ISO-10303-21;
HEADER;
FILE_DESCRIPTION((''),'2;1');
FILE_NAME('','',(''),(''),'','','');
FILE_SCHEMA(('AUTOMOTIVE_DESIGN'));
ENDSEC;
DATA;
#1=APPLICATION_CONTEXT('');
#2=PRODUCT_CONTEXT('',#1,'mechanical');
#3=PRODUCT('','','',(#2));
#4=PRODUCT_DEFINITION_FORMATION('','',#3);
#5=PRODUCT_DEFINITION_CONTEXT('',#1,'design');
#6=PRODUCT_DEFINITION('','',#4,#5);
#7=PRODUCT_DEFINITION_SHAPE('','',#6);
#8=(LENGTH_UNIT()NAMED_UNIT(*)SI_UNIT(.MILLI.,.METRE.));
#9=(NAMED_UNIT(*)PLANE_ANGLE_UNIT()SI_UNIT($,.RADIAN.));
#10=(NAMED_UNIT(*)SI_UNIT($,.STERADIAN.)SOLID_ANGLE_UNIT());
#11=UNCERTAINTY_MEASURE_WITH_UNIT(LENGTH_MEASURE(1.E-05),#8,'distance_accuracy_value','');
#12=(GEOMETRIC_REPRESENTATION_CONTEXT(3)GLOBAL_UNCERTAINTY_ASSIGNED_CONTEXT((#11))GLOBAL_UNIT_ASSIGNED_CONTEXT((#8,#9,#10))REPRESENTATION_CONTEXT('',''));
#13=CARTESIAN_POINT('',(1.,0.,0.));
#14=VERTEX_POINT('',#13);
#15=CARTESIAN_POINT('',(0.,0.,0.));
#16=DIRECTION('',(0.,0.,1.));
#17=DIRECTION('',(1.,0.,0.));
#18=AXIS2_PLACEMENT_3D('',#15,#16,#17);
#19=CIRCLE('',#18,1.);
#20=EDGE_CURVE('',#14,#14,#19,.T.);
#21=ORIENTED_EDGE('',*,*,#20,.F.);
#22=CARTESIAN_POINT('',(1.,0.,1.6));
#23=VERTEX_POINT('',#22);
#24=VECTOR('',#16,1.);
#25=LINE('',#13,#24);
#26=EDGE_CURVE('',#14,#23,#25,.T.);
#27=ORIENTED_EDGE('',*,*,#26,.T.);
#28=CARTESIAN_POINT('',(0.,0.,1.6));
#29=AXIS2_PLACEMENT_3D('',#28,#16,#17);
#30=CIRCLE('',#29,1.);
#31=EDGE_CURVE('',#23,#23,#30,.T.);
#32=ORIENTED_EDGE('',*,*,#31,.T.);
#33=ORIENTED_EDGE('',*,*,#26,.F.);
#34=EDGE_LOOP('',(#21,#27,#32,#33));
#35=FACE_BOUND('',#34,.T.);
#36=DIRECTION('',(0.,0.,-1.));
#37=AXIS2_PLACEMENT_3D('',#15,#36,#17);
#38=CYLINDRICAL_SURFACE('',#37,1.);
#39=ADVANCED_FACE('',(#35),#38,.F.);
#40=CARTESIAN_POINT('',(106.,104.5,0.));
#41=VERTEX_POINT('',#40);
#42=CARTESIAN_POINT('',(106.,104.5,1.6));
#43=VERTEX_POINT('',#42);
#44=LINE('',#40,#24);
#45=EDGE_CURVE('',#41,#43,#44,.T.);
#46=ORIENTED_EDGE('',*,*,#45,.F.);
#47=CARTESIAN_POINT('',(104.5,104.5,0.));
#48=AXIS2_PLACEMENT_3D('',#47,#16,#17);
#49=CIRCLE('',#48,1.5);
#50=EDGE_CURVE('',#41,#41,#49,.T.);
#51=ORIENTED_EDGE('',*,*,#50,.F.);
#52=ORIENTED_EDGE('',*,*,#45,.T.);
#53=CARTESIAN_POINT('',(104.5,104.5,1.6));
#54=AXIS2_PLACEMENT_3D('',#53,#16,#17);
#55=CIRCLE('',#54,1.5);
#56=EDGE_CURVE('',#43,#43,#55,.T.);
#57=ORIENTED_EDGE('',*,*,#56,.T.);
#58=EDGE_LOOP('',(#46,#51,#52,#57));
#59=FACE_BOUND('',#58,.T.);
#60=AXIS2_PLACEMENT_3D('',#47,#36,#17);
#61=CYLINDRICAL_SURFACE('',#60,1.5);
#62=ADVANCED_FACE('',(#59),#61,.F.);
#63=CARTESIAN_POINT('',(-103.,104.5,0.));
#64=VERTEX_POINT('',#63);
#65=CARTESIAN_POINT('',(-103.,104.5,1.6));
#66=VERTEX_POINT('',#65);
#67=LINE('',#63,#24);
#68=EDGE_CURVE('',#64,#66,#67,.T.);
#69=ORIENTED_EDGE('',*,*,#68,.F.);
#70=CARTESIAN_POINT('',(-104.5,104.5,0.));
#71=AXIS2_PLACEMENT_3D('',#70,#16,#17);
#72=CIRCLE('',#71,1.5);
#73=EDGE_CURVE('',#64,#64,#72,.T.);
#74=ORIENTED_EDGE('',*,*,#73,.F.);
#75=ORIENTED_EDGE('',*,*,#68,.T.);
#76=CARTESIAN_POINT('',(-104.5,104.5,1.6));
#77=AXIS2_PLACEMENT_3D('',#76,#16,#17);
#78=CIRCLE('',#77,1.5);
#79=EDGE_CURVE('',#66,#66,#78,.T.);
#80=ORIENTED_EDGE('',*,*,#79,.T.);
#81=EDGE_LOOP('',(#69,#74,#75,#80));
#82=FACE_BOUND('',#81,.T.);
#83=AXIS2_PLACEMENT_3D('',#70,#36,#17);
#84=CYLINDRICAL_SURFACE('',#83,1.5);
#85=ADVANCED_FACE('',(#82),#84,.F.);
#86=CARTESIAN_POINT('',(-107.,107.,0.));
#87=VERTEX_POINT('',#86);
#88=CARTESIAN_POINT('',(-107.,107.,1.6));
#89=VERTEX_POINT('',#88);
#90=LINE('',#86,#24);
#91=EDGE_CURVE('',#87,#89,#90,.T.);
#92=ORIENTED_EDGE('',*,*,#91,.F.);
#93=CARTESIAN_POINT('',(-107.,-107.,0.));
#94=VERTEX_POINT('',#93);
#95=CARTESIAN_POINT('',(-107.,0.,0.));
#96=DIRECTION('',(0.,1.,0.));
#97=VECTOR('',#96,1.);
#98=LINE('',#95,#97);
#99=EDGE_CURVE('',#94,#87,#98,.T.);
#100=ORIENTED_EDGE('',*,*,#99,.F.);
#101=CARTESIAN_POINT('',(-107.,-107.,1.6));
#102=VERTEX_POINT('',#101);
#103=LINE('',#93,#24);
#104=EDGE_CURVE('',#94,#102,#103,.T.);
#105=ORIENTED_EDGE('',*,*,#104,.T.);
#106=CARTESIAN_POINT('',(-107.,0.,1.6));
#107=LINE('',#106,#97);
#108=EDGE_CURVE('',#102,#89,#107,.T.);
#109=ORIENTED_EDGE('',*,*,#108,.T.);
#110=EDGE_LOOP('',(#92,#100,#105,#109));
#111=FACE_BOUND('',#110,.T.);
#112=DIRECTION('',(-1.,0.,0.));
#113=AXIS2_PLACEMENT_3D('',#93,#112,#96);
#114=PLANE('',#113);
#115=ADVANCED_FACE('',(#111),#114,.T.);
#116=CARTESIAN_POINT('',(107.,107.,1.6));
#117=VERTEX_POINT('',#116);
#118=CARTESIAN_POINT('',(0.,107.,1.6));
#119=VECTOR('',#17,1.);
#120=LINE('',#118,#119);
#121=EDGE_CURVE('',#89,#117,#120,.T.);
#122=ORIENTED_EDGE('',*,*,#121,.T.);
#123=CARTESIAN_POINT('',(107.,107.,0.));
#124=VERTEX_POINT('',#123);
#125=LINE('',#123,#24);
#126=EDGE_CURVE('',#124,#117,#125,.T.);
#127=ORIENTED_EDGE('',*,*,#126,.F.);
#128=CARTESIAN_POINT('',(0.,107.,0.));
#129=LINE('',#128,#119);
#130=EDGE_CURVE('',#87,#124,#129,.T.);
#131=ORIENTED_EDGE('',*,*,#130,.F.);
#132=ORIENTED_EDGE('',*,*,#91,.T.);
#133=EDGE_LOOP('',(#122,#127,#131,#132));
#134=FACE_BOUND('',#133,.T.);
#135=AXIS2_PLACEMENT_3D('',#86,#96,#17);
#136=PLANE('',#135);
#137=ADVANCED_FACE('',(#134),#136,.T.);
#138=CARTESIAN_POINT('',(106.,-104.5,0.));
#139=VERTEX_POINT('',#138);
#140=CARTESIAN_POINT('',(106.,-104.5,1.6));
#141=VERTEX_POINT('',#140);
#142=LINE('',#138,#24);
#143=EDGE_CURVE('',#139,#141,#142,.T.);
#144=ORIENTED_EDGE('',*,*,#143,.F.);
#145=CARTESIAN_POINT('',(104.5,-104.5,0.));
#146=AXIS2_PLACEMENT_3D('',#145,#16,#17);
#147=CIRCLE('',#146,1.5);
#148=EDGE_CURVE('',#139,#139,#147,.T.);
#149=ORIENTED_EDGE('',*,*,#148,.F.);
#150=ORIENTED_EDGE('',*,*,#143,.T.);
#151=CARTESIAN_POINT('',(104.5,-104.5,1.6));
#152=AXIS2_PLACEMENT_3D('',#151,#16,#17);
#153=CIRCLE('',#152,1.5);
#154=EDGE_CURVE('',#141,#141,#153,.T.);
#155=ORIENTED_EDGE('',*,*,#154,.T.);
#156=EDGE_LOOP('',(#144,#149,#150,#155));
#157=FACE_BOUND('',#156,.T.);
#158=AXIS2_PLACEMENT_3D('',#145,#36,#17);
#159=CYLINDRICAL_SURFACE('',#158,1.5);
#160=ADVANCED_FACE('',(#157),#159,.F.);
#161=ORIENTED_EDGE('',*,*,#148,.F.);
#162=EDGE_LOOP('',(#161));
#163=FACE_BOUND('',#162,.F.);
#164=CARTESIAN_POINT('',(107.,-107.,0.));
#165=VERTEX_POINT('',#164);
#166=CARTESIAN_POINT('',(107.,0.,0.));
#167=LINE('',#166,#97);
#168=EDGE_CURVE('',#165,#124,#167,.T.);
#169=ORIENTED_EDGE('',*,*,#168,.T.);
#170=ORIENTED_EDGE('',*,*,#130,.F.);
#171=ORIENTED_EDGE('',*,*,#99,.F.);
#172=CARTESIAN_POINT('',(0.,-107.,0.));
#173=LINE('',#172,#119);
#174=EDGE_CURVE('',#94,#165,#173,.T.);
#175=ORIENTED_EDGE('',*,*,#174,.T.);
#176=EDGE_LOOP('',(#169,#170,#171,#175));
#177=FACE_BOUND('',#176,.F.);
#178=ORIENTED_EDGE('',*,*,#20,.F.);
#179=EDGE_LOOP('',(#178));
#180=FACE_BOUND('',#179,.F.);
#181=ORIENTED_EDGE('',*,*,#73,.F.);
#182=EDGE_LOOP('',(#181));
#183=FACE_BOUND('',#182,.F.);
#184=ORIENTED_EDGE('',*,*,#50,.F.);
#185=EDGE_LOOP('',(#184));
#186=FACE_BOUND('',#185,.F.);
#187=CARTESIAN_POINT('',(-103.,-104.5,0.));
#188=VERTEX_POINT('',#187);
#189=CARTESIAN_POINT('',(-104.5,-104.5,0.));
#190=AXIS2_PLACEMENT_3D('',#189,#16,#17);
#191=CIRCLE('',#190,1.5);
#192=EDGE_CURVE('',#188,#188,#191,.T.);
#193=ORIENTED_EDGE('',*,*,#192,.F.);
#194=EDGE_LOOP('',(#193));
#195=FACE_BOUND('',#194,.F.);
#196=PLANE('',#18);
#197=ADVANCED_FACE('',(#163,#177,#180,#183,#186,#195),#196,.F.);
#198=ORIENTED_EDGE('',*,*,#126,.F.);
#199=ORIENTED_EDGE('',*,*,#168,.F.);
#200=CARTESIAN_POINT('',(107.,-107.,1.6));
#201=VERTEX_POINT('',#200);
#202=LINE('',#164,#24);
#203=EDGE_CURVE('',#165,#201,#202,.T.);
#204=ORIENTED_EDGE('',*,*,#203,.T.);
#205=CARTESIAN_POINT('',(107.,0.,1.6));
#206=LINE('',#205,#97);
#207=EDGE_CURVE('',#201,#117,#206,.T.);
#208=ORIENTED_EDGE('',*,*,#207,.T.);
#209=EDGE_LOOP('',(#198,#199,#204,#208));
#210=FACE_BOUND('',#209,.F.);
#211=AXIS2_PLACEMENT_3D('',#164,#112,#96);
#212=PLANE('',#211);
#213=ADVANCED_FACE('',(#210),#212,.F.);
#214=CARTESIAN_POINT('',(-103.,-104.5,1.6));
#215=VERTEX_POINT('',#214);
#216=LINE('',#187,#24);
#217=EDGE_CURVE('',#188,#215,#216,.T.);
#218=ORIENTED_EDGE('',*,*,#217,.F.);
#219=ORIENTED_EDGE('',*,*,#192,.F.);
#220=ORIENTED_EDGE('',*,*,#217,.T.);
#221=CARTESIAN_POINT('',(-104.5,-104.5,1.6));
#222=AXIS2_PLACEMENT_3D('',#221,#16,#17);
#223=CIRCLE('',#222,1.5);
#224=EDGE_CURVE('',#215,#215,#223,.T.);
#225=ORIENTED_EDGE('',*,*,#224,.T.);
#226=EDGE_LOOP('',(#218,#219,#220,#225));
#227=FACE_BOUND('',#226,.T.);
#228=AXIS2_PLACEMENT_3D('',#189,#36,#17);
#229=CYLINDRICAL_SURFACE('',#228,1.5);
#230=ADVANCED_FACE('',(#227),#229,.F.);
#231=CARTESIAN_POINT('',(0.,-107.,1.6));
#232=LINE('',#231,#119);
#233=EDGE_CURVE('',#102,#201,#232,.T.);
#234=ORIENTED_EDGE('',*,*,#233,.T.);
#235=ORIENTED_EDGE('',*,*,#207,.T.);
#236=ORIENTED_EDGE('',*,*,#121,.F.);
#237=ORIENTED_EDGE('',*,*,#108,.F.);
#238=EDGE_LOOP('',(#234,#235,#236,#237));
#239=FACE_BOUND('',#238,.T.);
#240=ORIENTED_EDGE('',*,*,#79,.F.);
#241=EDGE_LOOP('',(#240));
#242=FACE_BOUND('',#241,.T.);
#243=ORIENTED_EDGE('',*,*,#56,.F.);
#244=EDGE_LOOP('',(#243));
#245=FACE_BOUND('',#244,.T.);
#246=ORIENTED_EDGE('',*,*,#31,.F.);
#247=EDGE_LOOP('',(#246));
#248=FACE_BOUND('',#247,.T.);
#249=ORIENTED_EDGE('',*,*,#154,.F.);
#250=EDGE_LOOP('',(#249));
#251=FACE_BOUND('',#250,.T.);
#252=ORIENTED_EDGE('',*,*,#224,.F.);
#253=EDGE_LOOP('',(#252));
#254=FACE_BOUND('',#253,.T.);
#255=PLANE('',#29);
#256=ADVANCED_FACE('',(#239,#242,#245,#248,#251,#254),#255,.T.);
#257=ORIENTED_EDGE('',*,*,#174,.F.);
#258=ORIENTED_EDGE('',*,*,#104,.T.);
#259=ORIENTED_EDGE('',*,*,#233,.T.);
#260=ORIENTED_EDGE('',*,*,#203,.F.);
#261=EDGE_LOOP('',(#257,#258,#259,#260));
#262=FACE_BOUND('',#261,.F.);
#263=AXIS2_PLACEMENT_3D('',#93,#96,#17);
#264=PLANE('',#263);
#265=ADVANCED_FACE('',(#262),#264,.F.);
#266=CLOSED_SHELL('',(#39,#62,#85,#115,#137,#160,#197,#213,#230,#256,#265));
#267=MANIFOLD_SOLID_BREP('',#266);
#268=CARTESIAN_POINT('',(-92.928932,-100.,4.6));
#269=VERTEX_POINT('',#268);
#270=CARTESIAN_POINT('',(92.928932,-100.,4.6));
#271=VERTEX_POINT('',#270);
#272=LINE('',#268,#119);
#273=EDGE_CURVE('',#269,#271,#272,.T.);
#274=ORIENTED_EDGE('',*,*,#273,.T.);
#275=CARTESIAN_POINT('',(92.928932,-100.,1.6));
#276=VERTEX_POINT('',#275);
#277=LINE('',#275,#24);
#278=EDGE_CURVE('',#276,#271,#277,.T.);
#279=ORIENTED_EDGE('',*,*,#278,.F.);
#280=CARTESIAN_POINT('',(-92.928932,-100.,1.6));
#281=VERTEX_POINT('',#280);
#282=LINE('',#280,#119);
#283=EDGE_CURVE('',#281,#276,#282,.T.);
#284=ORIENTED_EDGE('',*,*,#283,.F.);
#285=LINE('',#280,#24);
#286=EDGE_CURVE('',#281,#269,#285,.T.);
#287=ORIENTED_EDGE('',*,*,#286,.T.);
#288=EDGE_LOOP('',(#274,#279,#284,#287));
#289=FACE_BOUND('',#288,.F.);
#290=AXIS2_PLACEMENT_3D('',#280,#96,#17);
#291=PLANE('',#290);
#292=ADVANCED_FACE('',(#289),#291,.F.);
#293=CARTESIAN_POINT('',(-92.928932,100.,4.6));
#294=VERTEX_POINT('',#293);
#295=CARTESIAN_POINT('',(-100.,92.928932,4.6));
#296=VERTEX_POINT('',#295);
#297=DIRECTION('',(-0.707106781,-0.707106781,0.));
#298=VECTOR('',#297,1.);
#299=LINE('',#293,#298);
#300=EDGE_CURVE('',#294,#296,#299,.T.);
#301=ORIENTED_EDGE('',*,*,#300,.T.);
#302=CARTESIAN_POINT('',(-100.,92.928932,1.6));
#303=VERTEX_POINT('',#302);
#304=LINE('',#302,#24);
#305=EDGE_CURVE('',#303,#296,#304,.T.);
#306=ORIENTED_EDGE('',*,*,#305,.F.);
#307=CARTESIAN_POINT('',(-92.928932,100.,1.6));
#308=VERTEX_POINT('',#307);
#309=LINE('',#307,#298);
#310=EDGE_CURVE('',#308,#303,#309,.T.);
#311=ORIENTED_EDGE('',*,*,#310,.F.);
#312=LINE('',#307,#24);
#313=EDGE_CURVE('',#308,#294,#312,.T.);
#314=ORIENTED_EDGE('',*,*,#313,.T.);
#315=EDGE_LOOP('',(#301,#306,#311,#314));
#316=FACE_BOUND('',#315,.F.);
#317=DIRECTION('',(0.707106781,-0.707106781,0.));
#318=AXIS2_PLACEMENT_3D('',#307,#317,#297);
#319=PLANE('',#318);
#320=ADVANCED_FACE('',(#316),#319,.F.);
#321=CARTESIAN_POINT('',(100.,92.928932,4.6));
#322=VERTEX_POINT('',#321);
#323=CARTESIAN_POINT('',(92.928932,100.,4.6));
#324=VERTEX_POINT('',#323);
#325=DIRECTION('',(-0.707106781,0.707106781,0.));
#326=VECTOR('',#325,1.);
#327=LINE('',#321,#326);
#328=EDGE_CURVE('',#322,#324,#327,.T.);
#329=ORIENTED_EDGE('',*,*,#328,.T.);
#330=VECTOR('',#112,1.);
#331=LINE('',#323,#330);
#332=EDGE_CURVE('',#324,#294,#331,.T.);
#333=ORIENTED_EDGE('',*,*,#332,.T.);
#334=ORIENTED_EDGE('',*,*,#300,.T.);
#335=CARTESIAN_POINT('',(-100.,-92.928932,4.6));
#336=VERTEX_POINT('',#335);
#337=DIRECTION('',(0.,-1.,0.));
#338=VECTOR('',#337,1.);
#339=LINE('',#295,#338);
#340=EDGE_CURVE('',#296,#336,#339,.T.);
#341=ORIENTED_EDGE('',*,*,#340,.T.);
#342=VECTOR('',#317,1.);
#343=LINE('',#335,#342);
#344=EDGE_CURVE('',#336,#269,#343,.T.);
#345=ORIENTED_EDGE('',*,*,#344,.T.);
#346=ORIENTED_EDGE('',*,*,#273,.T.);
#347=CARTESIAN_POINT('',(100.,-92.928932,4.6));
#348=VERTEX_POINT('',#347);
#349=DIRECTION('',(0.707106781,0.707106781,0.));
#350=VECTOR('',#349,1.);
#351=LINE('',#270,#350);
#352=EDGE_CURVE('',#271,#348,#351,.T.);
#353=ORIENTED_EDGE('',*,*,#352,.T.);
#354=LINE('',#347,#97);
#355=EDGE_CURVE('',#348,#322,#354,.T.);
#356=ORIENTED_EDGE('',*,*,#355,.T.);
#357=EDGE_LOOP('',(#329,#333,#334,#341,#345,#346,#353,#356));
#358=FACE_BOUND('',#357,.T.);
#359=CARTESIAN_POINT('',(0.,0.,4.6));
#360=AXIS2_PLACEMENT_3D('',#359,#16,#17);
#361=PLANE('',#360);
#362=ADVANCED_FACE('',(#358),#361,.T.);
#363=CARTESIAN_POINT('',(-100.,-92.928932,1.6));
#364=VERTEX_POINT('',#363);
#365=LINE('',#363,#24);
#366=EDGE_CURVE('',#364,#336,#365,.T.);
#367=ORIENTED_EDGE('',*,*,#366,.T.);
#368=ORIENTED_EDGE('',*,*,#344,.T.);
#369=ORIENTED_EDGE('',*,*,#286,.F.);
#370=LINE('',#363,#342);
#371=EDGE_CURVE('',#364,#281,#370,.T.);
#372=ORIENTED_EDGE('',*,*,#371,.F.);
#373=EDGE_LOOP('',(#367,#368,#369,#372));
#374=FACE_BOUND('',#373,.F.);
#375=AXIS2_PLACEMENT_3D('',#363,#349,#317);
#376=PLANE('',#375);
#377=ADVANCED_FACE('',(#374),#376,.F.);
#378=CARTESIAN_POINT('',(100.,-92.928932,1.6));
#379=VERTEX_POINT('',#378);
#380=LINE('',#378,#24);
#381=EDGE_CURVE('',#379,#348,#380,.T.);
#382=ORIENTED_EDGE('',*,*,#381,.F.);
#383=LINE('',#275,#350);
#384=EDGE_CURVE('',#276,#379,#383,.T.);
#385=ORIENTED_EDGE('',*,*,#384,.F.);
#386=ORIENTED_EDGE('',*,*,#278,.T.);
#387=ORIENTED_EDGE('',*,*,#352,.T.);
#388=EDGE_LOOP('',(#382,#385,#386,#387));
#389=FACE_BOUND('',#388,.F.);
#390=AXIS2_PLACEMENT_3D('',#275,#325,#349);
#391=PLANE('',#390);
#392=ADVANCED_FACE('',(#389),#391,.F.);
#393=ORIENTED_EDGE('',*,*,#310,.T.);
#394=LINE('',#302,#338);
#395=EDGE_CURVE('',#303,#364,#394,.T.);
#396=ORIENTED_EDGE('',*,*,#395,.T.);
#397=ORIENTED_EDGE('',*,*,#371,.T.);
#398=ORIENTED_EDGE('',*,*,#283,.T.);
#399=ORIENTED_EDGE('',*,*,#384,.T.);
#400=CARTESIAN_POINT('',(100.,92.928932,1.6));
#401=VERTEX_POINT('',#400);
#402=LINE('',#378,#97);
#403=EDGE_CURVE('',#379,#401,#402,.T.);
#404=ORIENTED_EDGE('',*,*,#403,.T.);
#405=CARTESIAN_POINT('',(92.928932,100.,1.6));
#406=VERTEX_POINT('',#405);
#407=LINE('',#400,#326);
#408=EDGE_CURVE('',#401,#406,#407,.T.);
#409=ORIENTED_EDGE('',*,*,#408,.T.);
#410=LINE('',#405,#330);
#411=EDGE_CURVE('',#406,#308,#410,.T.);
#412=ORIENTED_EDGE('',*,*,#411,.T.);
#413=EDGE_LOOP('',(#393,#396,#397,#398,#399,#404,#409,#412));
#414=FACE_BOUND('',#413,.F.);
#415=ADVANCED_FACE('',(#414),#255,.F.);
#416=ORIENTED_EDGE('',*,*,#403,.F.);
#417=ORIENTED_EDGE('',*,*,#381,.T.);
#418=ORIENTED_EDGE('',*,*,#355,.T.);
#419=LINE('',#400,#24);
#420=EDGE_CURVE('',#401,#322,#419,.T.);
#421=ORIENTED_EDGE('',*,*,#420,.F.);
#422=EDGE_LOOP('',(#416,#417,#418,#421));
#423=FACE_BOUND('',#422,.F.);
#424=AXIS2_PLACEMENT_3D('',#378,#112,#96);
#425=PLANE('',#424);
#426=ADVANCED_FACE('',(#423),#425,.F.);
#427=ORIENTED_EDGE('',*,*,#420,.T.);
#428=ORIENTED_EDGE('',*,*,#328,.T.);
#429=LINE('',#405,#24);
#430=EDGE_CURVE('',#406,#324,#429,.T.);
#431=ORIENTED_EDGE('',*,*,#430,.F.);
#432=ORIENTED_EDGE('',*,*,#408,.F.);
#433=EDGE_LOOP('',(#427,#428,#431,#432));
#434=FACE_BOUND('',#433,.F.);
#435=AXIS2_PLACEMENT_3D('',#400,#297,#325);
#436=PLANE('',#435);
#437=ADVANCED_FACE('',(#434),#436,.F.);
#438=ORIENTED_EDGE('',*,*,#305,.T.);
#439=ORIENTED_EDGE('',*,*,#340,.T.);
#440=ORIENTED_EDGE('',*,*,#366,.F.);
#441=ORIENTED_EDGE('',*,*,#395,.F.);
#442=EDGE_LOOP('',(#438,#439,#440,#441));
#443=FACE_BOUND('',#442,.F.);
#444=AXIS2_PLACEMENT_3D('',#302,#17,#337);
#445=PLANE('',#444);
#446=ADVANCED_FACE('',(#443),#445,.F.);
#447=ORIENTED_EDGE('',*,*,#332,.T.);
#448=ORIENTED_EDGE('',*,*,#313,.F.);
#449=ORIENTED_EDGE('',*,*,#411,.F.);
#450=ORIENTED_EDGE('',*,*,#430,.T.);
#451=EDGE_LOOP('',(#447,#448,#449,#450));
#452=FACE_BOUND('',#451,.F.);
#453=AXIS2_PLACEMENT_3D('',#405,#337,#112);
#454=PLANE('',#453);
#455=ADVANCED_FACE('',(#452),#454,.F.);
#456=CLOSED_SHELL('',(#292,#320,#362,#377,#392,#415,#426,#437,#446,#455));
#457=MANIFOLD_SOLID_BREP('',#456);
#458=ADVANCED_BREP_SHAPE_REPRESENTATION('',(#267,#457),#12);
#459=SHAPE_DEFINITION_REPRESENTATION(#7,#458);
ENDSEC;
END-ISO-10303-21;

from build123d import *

# Parameters (mm, degrees)
F0_W     = 214
F0_H     = 214
F0_R     = 1.5
F0_R_2   = 1
F1_DEPTH = 1.6
F2_R     = 1
F3_DEPTH = 3


with BuildPart() as f1:
    # F0 (on Top) → F1 (new body)
    with BuildSketch(Plane.XY):
        Rectangle(F0_W, F0_H)
        with Locations((-104.5, -104.5)):
            Circle(F0_R, mode=Mode.SUBTRACT)
        Circle(F0_R_2, mode=Mode.SUBTRACT)
        with Locations((104.5, -104.5)):
            Circle(F0_R, mode=Mode.SUBTRACT)
        with Locations((-104.5, 104.5)):
            Circle(F0_R, mode=Mode.SUBTRACT)
        with Locations((104.5, 104.5)):
            Circle(F0_R, mode=Mode.SUBTRACT)
    extrude(amount=F1_DEPTH)


with BuildPart() as f3:
    # F2 (on face) → F3 (new body)
    with BuildSketch(Plane.XY.offset(1.6)):
        Polygon((100, 92.928932), (92.928932, 100), (-92.928932, 100), (-100, 92.928932), (-100, -92.928932), (-92.928932, -100), (92.928932, -100), (100, -92.928932), align=None)
        Circle(F2_R, mode=Mode.SUBTRACT)
        Circle(F2_R)
    extrude(amount=F3_DEPTH)


solid = Compound([f1.part, f3.part])
